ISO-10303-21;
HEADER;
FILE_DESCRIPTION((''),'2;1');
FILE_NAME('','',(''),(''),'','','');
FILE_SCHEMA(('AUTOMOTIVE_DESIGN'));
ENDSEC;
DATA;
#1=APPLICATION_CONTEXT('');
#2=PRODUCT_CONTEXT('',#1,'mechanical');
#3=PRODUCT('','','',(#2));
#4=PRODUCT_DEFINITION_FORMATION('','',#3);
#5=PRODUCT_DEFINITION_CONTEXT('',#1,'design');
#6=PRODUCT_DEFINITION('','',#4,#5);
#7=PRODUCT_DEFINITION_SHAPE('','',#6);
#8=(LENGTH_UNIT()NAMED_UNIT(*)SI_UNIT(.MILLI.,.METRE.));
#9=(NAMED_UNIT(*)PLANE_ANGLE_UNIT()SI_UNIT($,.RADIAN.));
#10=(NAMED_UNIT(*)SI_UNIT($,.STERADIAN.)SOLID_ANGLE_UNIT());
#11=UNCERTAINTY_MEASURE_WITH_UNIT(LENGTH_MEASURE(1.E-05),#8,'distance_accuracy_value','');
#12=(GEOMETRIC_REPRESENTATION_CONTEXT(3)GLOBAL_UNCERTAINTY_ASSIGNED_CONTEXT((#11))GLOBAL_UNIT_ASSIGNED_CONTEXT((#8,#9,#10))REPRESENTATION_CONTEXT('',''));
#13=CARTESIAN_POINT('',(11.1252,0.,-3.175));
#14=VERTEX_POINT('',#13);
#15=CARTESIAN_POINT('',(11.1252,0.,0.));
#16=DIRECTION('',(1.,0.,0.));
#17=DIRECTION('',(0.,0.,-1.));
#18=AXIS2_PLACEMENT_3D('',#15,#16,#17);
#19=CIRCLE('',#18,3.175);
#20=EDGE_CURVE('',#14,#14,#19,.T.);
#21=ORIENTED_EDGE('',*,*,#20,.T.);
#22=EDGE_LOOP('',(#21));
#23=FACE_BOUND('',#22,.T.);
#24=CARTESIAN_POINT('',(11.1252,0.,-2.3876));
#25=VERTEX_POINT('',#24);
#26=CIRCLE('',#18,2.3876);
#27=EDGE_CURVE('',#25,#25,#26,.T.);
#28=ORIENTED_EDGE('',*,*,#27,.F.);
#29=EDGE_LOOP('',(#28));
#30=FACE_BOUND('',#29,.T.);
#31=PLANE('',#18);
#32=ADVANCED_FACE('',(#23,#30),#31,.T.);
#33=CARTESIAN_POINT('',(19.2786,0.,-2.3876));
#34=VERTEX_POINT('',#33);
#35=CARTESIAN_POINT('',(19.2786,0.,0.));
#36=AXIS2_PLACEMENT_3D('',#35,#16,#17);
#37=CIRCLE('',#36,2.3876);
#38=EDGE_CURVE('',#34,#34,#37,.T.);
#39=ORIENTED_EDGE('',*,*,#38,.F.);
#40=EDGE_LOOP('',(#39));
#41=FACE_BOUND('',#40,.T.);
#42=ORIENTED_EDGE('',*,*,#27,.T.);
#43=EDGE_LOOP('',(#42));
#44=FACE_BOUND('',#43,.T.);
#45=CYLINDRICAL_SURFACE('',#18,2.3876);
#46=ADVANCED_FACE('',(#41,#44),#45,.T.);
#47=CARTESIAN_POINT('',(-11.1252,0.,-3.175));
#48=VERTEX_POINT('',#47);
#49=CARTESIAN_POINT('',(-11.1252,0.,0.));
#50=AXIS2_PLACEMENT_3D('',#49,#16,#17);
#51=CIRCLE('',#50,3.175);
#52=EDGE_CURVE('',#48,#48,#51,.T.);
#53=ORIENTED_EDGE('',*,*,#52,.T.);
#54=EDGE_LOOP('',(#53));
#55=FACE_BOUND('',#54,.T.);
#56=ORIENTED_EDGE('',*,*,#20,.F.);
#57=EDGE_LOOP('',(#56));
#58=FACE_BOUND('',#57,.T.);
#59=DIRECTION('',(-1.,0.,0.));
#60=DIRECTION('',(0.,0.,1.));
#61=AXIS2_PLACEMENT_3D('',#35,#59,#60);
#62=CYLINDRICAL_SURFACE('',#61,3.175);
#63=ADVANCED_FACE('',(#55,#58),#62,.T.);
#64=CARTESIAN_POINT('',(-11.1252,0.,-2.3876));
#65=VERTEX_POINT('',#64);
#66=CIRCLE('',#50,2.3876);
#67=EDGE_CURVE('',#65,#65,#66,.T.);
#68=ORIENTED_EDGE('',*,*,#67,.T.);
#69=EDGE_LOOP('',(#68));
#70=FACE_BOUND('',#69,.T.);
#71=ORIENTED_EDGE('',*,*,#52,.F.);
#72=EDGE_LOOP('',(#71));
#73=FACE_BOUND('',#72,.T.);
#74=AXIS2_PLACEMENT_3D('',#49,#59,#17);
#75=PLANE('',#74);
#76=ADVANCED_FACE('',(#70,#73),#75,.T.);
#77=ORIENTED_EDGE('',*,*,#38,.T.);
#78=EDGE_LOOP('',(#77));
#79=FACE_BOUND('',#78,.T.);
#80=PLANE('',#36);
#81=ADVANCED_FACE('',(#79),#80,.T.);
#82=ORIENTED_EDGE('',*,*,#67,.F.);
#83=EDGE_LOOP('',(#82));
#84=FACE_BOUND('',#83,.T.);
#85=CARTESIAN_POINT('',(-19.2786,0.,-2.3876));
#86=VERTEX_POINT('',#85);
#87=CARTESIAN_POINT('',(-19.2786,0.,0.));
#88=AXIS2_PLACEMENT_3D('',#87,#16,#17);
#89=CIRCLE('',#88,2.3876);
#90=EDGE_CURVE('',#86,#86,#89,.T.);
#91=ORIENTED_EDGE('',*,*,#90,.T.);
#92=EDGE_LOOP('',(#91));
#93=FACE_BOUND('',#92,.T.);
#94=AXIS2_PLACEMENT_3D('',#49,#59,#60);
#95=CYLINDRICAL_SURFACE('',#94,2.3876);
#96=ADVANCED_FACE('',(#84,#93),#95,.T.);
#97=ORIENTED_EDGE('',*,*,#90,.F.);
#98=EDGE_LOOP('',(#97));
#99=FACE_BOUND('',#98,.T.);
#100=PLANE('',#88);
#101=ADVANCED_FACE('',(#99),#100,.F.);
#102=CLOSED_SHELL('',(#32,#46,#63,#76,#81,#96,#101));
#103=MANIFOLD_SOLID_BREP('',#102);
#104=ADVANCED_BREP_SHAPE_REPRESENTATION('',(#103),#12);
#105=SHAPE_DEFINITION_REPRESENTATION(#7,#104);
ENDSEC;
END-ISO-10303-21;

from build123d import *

# Parameters (mm, degrees)
SKETCH1_R           = 3.175
BOSS_EXTRUDE1_DEPTH = 19.2786
SKETCH2_R           = 3.175
SKETCH2_R_2         = 2.3876
CUT_EXTRUDE1_DEPTH  = 8.1534


with BuildPart() as part:
    # Sketch1 → Boss-Extrude1 (new, symmetric)
    with BuildSketch(Plane(origin=(0, 0, 0), x_dir=(0, 0, -1), z_dir=(1, 0, 0))):
        Circle(SKETCH1_R)
    extrude(amount=BOSS_EXTRUDE1_DEPTH, both=True)

    # Sketch2 → Cut-Extrude1 (cut)
    with BuildSketch(Plane(origin=(19.2786, 0, 0), x_dir=(0, 0, -1), z_dir=(1, 0, 0))):
        Circle(SKETCH2_R)
        Circle(SKETCH2_R_2, mode=Mode.SUBTRACT)
    cut_extrude1 = extrude(amount=-CUT_EXTRUDE1_DEPTH, mode=Mode.SUBTRACT)

    # Mirror1: Cut-Extrude1 across plane
    add(cut_extrude1.mirror(Plane(origin=(0, 0, 0), x_dir=(0, 0, 1), z_dir=(1, 0, 0))), mode=Mode.SUBTRACT)


solid = part.part
